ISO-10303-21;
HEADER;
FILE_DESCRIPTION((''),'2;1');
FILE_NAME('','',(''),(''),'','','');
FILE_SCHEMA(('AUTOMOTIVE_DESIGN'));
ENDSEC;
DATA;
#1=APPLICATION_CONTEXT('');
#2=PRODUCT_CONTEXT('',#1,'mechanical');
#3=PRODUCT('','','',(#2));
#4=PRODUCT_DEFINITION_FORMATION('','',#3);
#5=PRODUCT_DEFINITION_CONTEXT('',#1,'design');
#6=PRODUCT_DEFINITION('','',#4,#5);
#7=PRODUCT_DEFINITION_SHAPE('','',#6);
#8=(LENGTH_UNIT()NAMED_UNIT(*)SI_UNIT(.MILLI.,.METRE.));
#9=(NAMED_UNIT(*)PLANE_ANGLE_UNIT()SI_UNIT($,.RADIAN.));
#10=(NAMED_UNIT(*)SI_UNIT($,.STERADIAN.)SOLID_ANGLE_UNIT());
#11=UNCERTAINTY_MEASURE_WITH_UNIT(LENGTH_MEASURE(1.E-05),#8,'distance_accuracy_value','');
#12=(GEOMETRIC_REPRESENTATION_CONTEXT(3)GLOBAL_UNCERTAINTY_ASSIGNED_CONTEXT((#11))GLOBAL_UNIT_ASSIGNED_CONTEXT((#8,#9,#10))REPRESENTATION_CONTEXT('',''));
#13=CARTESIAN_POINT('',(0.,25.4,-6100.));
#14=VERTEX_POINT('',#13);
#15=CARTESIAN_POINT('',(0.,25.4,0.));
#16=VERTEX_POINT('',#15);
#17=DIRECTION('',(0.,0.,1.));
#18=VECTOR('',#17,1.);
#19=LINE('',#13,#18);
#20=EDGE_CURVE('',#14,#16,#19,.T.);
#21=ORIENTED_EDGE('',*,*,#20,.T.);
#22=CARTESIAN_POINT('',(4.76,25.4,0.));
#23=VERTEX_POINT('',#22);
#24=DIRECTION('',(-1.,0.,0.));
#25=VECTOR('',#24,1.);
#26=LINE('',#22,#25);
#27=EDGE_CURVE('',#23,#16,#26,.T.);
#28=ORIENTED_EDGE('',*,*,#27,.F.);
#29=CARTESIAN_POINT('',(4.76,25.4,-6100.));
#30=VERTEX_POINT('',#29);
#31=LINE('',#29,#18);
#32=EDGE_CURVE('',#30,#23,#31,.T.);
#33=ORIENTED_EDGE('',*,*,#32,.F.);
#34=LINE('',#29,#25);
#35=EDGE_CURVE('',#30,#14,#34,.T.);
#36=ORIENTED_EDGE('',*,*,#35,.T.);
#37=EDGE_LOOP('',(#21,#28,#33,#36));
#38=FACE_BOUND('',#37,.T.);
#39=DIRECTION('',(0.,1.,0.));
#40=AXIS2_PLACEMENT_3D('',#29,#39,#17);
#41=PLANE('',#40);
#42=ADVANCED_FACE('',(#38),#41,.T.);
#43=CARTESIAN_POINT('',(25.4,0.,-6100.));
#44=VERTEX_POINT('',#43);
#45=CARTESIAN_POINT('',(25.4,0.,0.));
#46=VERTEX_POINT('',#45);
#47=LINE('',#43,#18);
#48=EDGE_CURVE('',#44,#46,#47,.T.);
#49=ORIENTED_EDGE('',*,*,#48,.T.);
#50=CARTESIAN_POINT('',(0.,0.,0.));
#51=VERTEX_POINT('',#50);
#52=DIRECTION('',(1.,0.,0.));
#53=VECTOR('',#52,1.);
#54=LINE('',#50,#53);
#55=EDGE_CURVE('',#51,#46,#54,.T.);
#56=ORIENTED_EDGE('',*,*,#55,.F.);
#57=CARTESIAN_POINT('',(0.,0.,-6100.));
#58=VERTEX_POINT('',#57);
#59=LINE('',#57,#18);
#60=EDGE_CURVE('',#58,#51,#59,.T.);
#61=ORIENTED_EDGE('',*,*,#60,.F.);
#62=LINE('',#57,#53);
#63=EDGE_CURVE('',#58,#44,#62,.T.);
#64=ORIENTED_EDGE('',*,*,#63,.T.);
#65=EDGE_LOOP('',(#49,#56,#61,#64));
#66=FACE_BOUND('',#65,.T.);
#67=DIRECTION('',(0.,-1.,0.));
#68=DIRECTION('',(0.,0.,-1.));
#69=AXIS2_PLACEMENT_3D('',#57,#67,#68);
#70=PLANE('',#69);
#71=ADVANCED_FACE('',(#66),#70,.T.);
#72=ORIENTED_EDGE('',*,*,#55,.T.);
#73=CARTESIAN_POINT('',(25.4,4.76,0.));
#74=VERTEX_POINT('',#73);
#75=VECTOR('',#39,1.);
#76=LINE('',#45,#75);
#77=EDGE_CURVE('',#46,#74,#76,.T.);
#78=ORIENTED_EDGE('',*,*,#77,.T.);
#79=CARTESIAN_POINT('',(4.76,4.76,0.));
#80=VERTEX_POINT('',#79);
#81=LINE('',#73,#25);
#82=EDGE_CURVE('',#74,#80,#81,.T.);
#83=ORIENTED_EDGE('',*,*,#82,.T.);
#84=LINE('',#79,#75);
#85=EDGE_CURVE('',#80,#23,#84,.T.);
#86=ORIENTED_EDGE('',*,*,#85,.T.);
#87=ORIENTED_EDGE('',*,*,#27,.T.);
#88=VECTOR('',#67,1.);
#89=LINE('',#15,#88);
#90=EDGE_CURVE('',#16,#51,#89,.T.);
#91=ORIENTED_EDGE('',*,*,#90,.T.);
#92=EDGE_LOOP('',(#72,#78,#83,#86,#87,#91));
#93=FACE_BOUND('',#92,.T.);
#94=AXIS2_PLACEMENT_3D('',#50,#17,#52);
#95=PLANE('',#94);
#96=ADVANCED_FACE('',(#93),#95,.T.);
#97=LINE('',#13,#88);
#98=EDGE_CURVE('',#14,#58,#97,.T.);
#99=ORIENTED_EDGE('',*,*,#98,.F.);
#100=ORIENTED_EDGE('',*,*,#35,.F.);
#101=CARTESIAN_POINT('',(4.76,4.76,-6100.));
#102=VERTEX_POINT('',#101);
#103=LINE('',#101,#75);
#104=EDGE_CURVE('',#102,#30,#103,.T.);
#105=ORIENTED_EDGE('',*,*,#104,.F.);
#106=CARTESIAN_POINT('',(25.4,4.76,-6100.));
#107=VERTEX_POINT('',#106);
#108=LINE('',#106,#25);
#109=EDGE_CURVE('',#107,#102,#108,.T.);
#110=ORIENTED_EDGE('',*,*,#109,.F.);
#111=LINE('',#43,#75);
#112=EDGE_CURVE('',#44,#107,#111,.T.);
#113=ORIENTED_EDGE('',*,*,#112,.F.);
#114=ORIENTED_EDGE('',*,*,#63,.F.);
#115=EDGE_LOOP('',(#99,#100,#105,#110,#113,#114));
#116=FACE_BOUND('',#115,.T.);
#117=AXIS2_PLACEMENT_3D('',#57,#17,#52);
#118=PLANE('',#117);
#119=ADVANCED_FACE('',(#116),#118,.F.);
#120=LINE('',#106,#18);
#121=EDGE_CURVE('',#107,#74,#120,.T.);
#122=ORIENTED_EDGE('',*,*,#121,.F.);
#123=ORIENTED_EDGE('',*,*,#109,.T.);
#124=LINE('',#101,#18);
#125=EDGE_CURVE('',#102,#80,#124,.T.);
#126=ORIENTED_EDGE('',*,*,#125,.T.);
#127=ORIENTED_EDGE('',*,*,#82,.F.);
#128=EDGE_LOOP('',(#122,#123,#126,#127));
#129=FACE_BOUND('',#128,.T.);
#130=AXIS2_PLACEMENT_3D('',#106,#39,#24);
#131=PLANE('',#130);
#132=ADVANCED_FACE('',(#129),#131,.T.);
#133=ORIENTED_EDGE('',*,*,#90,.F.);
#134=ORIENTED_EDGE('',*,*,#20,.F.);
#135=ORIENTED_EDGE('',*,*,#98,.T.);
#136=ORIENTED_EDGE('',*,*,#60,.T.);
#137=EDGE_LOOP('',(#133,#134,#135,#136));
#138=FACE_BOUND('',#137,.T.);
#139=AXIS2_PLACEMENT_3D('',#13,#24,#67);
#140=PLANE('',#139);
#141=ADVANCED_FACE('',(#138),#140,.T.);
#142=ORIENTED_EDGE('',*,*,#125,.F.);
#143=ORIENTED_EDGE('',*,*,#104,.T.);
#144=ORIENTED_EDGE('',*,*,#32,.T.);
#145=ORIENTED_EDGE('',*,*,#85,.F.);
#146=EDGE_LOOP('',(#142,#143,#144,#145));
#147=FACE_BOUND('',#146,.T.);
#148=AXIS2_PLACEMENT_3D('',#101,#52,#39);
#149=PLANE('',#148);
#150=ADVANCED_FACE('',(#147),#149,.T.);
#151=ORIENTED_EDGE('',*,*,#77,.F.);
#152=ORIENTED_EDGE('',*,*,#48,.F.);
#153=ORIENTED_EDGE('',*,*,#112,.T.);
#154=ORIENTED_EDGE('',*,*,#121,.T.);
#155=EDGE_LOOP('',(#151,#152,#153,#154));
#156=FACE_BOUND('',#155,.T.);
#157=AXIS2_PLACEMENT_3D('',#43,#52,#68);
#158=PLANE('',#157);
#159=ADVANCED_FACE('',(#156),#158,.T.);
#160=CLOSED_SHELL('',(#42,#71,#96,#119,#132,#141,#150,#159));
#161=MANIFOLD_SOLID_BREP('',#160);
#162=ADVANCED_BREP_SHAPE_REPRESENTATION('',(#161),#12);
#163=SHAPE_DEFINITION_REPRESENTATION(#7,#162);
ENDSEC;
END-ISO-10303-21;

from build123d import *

# Parameters (mm, degrees)
SALIENTE_EXTRUIR1_DEPTH = 6100


with BuildPart() as part:
    # Croquis1 → Saliente-Extruir1 (new body)
    with BuildSketch(Plane.XY):
        Polygon((0, 25.4), (0, 0), (25.4, 0), (25.4, 4.76), (4.76, 4.76), (4.76, 25.4), align=None)
    extrude(amount=-SALIENTE_EXTRUIR1_DEPTH)


solid = part.part
